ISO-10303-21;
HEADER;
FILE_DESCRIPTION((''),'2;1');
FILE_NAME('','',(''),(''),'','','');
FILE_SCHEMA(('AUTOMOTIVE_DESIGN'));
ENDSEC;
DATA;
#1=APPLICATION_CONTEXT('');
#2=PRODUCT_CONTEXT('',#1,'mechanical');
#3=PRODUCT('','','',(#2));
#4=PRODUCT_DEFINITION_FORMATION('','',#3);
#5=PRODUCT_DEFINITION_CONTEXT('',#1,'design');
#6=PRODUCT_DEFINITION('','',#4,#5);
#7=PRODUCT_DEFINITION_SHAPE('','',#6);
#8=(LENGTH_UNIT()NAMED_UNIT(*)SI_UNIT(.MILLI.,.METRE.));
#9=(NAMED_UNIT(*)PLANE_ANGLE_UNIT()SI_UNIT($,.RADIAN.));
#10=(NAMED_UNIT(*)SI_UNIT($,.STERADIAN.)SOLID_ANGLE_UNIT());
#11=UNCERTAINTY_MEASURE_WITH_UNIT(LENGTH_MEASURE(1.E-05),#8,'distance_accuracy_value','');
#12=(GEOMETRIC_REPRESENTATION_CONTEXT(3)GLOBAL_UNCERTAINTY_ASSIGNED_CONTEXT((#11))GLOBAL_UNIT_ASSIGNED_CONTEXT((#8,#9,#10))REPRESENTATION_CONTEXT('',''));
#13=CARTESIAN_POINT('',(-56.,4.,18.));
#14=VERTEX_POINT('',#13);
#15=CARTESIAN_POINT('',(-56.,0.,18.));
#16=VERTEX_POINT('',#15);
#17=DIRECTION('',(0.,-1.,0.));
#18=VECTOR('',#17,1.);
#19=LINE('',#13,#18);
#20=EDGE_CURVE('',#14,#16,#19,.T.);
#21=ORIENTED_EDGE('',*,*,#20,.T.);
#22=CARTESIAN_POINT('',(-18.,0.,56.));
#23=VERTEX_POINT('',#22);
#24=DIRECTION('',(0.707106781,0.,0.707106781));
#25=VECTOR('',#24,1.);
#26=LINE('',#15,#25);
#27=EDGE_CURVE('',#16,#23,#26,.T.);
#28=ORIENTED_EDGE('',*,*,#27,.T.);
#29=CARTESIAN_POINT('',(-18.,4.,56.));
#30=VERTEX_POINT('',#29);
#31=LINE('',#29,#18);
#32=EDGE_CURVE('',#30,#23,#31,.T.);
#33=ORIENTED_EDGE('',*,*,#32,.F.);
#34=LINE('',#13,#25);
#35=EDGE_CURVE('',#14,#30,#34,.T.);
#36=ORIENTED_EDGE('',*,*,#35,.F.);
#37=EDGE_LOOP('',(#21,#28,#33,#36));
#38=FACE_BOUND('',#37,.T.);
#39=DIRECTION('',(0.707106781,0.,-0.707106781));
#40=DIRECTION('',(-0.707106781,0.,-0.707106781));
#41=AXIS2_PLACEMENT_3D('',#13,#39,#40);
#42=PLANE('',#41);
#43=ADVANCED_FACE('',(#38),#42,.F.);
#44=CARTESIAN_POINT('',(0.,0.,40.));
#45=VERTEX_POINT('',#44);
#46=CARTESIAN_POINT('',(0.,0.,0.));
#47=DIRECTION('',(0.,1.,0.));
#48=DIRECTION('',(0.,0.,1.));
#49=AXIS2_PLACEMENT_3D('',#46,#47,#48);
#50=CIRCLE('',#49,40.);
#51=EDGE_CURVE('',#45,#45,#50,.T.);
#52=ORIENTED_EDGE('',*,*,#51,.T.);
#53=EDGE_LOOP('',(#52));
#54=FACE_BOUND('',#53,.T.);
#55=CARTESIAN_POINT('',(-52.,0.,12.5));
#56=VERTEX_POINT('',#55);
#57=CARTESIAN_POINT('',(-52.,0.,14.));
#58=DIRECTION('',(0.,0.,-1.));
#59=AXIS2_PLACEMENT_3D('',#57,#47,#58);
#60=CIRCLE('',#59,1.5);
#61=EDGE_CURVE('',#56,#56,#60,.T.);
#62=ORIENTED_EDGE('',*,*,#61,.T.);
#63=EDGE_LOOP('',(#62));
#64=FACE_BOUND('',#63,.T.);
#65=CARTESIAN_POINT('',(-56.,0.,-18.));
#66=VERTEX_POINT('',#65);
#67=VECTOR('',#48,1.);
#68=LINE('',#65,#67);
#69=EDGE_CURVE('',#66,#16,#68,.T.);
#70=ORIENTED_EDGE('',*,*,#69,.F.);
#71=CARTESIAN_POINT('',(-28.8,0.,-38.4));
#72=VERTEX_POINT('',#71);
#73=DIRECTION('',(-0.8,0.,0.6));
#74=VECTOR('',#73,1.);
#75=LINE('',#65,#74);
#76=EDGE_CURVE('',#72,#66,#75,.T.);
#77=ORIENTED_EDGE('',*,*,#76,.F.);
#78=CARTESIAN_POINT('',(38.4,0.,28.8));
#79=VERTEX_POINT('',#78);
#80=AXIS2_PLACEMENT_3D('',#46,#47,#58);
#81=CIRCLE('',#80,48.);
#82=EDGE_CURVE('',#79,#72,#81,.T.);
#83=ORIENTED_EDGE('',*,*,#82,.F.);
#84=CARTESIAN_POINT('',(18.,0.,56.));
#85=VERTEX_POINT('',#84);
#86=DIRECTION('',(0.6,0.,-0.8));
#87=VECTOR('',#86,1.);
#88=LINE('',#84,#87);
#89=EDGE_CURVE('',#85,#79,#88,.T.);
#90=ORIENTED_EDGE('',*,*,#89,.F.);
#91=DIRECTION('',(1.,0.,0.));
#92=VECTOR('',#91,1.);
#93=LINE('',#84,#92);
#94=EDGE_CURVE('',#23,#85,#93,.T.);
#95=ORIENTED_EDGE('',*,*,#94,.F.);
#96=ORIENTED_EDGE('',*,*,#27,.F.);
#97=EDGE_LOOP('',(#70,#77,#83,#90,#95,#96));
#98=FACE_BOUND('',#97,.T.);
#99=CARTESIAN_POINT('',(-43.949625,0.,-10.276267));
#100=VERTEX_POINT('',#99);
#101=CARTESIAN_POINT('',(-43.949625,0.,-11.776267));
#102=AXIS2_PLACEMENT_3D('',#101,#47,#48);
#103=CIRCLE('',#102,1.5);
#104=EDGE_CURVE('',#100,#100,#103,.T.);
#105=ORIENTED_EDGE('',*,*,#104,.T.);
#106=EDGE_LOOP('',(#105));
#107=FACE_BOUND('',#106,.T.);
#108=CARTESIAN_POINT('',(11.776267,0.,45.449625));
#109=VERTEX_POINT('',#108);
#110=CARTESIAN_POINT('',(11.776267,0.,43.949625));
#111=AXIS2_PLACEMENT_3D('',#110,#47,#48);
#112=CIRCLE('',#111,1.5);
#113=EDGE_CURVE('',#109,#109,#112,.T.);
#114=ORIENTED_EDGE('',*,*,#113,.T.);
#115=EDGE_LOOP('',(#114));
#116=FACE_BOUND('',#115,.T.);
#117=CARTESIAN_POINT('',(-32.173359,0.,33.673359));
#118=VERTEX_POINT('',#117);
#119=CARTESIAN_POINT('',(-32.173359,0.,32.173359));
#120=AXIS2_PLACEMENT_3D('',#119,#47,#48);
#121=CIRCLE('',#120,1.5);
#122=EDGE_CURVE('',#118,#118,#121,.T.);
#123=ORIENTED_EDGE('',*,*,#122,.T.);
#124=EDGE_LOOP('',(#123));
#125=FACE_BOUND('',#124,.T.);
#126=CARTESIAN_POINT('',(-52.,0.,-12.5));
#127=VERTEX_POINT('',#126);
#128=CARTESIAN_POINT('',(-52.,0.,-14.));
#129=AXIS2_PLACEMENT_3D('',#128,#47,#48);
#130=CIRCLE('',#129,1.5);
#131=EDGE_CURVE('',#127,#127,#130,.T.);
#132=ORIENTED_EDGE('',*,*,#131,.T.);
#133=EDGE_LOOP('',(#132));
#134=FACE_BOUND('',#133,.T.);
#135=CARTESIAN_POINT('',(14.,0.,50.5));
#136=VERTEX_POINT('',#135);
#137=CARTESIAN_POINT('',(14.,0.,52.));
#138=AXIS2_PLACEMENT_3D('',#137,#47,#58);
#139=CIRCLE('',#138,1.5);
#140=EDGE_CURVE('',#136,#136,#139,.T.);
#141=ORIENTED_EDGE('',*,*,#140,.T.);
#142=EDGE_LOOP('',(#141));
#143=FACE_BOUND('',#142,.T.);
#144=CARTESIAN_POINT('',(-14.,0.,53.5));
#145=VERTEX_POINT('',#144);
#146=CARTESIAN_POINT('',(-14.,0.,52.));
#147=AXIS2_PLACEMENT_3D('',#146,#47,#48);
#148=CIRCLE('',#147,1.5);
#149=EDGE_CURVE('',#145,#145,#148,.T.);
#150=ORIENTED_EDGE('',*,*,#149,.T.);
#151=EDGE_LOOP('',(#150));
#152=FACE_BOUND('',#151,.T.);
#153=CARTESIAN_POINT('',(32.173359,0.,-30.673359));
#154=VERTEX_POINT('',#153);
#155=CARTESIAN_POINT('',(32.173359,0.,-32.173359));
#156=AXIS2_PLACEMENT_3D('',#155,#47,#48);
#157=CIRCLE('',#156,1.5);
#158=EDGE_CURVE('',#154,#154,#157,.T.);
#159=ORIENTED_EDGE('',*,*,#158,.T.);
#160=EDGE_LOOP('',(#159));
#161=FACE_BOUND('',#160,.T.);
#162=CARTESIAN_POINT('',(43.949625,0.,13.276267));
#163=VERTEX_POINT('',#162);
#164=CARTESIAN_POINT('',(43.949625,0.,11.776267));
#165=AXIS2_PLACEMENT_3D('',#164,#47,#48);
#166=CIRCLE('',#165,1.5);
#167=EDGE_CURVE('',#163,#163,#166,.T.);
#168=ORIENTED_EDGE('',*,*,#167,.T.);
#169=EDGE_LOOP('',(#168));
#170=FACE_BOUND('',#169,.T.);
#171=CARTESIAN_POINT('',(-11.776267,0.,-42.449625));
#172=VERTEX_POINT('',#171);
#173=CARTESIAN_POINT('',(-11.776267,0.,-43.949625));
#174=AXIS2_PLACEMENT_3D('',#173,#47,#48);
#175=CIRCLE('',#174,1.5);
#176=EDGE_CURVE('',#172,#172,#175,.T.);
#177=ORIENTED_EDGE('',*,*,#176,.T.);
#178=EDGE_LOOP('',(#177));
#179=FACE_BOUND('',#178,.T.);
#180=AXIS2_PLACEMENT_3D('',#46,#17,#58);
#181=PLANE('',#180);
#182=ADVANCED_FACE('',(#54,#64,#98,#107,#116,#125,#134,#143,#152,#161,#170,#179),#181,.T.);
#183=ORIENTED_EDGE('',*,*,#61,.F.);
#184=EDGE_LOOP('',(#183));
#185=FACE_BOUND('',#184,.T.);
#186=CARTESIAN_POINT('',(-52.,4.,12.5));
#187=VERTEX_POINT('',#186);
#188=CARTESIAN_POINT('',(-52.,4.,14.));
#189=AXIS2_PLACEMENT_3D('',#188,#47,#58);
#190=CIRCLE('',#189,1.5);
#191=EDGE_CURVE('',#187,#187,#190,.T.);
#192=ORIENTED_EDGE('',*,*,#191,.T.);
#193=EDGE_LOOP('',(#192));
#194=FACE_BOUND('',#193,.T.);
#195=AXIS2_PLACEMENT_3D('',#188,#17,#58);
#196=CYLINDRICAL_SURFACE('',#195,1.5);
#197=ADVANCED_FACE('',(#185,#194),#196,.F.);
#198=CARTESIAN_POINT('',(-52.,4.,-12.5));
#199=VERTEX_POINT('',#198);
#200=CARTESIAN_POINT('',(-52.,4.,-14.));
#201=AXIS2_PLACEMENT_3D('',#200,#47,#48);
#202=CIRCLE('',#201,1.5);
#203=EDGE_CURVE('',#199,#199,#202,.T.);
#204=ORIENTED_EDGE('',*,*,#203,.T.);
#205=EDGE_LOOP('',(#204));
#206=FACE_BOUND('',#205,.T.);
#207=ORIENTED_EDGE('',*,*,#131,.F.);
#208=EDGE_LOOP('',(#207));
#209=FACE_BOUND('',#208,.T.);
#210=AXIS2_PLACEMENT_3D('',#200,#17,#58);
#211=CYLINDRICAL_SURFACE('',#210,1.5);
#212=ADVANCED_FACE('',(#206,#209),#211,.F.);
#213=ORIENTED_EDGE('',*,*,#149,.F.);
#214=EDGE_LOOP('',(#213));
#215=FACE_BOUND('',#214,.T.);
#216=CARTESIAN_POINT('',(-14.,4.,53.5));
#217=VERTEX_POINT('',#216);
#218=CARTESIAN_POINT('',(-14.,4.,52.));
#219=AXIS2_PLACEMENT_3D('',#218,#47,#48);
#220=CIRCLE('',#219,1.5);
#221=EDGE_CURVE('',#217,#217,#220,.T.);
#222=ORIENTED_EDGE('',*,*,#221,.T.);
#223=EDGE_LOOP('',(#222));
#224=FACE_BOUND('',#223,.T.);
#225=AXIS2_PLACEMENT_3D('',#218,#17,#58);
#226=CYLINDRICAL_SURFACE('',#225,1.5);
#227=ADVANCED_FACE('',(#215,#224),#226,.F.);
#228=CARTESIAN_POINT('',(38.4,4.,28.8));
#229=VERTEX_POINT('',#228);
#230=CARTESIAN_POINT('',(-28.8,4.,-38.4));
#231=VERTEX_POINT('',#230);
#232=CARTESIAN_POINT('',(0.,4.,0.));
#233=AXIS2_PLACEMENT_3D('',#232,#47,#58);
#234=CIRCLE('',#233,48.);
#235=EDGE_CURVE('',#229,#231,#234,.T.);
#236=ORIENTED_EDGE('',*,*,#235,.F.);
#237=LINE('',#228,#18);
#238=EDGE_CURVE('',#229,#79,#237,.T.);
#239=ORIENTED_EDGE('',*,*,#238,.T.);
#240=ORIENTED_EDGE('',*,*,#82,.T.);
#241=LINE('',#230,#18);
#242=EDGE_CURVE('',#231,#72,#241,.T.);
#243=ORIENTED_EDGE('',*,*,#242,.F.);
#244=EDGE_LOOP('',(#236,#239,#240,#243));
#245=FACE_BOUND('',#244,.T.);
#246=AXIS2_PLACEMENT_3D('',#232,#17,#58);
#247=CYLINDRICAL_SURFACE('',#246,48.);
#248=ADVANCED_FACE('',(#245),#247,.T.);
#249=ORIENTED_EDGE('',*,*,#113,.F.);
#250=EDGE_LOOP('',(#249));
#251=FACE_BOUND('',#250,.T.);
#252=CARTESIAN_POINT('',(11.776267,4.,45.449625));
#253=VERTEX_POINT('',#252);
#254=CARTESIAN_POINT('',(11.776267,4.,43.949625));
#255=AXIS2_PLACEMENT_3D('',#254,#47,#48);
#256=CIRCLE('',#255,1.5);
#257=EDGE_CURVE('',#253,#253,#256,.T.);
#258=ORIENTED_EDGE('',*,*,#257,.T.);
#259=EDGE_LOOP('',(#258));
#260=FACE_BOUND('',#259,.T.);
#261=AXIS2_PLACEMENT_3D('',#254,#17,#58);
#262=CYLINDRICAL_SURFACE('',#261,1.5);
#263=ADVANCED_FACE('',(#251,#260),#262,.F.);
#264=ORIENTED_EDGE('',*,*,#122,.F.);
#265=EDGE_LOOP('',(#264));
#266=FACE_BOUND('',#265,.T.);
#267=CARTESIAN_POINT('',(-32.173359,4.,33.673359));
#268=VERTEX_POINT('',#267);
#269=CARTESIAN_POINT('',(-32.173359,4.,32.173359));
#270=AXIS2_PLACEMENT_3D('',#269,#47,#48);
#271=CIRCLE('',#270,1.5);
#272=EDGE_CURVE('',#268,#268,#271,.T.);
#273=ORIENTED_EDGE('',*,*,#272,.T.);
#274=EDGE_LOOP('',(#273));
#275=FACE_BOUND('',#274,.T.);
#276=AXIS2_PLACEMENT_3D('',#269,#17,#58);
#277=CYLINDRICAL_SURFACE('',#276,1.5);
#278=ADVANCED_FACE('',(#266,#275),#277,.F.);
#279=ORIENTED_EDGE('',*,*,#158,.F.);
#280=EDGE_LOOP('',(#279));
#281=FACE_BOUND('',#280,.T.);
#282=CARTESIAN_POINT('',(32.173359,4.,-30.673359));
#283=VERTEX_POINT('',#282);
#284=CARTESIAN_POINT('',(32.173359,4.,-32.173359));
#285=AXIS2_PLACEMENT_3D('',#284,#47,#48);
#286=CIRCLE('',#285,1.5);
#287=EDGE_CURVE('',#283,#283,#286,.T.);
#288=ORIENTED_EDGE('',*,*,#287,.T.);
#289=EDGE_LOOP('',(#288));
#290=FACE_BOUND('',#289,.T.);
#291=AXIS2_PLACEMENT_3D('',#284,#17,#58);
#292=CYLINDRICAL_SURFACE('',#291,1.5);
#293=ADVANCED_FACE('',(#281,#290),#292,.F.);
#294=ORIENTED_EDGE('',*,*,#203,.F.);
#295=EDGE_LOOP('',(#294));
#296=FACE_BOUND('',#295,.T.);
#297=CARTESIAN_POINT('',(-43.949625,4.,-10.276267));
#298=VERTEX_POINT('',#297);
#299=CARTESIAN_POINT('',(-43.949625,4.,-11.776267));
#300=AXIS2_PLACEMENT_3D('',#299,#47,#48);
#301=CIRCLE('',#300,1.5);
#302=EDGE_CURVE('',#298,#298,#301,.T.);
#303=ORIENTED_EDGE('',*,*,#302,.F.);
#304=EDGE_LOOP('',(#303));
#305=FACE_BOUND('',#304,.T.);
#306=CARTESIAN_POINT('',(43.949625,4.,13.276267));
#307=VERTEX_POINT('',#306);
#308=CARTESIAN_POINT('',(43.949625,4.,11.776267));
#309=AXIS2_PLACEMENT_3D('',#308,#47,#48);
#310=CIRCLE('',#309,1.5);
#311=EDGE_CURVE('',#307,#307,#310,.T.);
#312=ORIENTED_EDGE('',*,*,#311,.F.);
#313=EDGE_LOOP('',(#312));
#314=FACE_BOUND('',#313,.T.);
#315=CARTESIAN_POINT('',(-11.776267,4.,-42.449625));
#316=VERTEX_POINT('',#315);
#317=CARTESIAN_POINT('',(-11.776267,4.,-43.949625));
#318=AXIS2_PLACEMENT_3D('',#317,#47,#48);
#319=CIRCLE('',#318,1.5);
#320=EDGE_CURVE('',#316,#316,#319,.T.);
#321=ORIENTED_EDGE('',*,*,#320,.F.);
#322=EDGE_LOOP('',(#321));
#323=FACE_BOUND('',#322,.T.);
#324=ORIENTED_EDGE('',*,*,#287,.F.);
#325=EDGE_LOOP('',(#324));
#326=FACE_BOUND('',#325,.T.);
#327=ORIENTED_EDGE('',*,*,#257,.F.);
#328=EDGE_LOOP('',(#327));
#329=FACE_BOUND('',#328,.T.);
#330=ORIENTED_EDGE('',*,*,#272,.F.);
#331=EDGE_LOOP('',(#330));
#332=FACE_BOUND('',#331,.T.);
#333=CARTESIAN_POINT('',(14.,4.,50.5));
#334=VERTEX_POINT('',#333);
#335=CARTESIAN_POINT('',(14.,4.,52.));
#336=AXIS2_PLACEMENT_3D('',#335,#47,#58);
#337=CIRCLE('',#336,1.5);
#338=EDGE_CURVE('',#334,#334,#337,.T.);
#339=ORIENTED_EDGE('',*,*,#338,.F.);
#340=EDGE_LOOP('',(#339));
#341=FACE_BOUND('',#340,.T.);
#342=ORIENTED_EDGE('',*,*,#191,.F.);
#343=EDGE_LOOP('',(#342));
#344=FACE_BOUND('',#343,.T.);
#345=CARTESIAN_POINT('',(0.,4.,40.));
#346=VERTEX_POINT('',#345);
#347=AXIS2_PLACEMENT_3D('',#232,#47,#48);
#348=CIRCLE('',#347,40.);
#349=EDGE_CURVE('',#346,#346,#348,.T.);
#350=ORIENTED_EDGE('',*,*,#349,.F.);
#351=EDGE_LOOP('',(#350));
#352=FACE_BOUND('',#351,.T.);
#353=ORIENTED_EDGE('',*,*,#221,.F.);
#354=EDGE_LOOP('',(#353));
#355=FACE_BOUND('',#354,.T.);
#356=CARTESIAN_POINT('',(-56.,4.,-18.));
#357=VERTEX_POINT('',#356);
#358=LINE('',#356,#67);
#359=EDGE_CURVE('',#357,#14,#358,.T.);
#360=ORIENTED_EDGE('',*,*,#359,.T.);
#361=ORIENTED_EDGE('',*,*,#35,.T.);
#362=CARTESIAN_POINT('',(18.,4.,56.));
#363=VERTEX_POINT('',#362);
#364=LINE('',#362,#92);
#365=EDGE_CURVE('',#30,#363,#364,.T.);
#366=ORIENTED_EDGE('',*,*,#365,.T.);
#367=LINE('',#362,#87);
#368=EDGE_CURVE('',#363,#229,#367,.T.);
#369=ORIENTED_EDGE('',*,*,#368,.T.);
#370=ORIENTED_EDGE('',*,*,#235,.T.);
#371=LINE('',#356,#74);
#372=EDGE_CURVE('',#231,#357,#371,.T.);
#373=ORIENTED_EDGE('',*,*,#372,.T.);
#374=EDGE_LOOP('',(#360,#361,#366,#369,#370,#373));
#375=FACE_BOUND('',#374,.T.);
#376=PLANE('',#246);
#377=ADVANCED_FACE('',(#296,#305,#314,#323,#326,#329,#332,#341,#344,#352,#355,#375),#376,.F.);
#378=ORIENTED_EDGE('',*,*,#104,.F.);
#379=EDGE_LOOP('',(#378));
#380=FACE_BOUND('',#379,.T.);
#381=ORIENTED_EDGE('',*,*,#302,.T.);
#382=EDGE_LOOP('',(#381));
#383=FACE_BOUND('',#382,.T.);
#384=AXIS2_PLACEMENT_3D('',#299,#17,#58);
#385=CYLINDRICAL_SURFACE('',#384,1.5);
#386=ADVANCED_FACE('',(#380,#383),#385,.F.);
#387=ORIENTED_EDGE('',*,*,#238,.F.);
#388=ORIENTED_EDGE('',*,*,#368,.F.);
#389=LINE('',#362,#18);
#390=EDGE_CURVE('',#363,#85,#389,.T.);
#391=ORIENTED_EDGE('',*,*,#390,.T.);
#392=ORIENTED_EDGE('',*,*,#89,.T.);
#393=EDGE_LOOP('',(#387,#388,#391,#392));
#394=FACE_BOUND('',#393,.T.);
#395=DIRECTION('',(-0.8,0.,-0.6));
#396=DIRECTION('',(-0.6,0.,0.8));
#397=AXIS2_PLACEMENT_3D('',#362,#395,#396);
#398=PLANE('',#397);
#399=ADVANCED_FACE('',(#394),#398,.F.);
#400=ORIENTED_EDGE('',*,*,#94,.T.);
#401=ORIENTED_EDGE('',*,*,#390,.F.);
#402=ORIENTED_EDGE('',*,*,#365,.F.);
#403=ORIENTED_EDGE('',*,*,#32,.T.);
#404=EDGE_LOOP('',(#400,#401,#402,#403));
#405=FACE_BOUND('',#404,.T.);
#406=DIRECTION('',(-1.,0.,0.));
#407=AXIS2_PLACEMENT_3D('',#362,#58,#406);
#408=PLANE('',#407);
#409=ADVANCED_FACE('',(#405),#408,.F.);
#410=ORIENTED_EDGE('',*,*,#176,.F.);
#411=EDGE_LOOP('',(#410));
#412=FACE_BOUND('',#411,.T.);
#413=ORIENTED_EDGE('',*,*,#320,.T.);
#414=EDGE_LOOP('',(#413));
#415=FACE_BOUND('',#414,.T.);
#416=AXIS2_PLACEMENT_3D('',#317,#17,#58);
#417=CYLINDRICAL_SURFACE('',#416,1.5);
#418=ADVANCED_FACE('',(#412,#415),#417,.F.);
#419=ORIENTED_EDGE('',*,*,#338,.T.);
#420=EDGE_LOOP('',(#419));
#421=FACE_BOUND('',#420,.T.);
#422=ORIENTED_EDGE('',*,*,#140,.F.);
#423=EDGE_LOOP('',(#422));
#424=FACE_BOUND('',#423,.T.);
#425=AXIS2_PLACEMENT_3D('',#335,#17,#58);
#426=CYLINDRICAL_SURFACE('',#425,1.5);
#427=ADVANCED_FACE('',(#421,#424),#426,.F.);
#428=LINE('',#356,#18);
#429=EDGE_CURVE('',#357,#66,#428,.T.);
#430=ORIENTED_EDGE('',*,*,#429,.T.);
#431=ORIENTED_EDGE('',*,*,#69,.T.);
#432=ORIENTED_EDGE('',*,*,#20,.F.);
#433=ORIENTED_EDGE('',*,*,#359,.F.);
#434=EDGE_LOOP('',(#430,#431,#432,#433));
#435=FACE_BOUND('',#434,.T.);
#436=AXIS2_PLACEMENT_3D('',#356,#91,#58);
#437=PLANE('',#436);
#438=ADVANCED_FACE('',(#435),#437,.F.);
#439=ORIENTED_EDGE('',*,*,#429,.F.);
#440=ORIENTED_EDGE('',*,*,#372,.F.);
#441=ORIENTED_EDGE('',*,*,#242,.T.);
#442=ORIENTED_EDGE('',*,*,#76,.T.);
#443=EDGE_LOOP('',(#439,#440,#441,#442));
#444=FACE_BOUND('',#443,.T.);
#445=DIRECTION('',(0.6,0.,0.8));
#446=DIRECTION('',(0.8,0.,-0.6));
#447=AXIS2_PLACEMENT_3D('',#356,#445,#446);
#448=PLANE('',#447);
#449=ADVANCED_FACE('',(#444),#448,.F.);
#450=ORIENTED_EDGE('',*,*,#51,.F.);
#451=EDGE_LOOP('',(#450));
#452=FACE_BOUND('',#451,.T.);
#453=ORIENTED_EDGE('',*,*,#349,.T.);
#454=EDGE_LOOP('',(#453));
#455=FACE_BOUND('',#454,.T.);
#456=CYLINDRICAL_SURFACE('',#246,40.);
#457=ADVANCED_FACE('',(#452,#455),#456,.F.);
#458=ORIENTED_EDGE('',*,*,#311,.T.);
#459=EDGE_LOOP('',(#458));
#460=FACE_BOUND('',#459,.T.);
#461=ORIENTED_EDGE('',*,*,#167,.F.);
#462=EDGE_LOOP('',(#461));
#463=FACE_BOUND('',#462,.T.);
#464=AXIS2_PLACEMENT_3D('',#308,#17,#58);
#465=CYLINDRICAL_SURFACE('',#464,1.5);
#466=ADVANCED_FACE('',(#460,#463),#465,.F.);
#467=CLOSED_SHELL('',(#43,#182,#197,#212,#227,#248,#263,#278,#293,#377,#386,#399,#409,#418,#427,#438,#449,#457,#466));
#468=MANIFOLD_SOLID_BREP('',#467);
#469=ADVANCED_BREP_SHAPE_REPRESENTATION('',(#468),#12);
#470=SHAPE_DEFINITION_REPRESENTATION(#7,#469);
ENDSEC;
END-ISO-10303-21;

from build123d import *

# Parameters (mm, degrees)
SKETCH_1_R      = 40
SKETCH_1_R_2    = 1.5
EXTRUDE_1_DEPTH = 4


with BuildPart() as part:
    # 草图1 → 凸台-拉伸1 (new body)
    with BuildSketch(Plane(origin=(0, 0, 0), x_dir=(1, 0, 0), z_dir=(0, 1, 0))):
        with BuildLine():
            Line((-56, 18), (-56, -18))
            Line((-56, -18), (-18, -56))
            Line((-18, -56), (18, -56))
            Line((18, -56), (38.4, -28.8))
            ThreePointArc((38.4, -28.8), (33.941125497, 33.941125497), (-28.8, 38.4))
            Line((-28.8, 38.4), (-56, 18))
        make_face()
        with Locations(Location((0, 0, 0), (0, 0, 270))):
            Circle(SKETCH_1_R, mode=Mode.SUBTRACT)
        with Locations(Location((32.173358544, 32.173358544, 0), (0, 0, 270))):
            Circle(SKETCH_1_R_2, mode=Mode.SUBTRACT)
        with Locations(Location((43.949625096, -11.776266552, 0), (0, 0, 270))):
            Circle(SKETCH_1_R_2, mode=Mode.SUBTRACT)
        with Locations(Location((11.776266552, -43.949625096, 0), (0, 0, 270))):
            Circle(SKETCH_1_R_2, mode=Mode.SUBTRACT)
        with Locations(Location((-32.173358544, -32.173358544, 0), (0, 0, 270))):
            Circle(SKETCH_1_R_2, mode=Mode.SUBTRACT)
        with Locations(Location((-43.949625096, 11.776266552, 0), (0, 0, 270))):
            Circle(SKETCH_1_R_2, mode=Mode.SUBTRACT)
        with Locations(Location((-11.776266552, 43.949625096, 0), (0, 0, 270))):
            Circle(SKETCH_1_R_2, mode=Mode.SUBTRACT)
        with Locations(Location((-14, -52, 0), (0, 0, 270))):
            Circle(SKETCH_1_R_2, mode=Mode.SUBTRACT)
        with Locations(Location((14, -52, 0), (0, 0, 90))):
            Circle(SKETCH_1_R_2, mode=Mode.SUBTRACT)
        with Locations(Location((-52, -14, 0), (0, 0, 90))):
            Circle(SKETCH_1_R_2, mode=Mode.SUBTRACT)
        with Locations(Location((-52, 14, 0), (0, 0, 270))):
            Circle(SKETCH_1_R_2, mode=Mode.SUBTRACT)
    extrude(amount=EXTRUDE_1_DEPTH)


solid = part.part
